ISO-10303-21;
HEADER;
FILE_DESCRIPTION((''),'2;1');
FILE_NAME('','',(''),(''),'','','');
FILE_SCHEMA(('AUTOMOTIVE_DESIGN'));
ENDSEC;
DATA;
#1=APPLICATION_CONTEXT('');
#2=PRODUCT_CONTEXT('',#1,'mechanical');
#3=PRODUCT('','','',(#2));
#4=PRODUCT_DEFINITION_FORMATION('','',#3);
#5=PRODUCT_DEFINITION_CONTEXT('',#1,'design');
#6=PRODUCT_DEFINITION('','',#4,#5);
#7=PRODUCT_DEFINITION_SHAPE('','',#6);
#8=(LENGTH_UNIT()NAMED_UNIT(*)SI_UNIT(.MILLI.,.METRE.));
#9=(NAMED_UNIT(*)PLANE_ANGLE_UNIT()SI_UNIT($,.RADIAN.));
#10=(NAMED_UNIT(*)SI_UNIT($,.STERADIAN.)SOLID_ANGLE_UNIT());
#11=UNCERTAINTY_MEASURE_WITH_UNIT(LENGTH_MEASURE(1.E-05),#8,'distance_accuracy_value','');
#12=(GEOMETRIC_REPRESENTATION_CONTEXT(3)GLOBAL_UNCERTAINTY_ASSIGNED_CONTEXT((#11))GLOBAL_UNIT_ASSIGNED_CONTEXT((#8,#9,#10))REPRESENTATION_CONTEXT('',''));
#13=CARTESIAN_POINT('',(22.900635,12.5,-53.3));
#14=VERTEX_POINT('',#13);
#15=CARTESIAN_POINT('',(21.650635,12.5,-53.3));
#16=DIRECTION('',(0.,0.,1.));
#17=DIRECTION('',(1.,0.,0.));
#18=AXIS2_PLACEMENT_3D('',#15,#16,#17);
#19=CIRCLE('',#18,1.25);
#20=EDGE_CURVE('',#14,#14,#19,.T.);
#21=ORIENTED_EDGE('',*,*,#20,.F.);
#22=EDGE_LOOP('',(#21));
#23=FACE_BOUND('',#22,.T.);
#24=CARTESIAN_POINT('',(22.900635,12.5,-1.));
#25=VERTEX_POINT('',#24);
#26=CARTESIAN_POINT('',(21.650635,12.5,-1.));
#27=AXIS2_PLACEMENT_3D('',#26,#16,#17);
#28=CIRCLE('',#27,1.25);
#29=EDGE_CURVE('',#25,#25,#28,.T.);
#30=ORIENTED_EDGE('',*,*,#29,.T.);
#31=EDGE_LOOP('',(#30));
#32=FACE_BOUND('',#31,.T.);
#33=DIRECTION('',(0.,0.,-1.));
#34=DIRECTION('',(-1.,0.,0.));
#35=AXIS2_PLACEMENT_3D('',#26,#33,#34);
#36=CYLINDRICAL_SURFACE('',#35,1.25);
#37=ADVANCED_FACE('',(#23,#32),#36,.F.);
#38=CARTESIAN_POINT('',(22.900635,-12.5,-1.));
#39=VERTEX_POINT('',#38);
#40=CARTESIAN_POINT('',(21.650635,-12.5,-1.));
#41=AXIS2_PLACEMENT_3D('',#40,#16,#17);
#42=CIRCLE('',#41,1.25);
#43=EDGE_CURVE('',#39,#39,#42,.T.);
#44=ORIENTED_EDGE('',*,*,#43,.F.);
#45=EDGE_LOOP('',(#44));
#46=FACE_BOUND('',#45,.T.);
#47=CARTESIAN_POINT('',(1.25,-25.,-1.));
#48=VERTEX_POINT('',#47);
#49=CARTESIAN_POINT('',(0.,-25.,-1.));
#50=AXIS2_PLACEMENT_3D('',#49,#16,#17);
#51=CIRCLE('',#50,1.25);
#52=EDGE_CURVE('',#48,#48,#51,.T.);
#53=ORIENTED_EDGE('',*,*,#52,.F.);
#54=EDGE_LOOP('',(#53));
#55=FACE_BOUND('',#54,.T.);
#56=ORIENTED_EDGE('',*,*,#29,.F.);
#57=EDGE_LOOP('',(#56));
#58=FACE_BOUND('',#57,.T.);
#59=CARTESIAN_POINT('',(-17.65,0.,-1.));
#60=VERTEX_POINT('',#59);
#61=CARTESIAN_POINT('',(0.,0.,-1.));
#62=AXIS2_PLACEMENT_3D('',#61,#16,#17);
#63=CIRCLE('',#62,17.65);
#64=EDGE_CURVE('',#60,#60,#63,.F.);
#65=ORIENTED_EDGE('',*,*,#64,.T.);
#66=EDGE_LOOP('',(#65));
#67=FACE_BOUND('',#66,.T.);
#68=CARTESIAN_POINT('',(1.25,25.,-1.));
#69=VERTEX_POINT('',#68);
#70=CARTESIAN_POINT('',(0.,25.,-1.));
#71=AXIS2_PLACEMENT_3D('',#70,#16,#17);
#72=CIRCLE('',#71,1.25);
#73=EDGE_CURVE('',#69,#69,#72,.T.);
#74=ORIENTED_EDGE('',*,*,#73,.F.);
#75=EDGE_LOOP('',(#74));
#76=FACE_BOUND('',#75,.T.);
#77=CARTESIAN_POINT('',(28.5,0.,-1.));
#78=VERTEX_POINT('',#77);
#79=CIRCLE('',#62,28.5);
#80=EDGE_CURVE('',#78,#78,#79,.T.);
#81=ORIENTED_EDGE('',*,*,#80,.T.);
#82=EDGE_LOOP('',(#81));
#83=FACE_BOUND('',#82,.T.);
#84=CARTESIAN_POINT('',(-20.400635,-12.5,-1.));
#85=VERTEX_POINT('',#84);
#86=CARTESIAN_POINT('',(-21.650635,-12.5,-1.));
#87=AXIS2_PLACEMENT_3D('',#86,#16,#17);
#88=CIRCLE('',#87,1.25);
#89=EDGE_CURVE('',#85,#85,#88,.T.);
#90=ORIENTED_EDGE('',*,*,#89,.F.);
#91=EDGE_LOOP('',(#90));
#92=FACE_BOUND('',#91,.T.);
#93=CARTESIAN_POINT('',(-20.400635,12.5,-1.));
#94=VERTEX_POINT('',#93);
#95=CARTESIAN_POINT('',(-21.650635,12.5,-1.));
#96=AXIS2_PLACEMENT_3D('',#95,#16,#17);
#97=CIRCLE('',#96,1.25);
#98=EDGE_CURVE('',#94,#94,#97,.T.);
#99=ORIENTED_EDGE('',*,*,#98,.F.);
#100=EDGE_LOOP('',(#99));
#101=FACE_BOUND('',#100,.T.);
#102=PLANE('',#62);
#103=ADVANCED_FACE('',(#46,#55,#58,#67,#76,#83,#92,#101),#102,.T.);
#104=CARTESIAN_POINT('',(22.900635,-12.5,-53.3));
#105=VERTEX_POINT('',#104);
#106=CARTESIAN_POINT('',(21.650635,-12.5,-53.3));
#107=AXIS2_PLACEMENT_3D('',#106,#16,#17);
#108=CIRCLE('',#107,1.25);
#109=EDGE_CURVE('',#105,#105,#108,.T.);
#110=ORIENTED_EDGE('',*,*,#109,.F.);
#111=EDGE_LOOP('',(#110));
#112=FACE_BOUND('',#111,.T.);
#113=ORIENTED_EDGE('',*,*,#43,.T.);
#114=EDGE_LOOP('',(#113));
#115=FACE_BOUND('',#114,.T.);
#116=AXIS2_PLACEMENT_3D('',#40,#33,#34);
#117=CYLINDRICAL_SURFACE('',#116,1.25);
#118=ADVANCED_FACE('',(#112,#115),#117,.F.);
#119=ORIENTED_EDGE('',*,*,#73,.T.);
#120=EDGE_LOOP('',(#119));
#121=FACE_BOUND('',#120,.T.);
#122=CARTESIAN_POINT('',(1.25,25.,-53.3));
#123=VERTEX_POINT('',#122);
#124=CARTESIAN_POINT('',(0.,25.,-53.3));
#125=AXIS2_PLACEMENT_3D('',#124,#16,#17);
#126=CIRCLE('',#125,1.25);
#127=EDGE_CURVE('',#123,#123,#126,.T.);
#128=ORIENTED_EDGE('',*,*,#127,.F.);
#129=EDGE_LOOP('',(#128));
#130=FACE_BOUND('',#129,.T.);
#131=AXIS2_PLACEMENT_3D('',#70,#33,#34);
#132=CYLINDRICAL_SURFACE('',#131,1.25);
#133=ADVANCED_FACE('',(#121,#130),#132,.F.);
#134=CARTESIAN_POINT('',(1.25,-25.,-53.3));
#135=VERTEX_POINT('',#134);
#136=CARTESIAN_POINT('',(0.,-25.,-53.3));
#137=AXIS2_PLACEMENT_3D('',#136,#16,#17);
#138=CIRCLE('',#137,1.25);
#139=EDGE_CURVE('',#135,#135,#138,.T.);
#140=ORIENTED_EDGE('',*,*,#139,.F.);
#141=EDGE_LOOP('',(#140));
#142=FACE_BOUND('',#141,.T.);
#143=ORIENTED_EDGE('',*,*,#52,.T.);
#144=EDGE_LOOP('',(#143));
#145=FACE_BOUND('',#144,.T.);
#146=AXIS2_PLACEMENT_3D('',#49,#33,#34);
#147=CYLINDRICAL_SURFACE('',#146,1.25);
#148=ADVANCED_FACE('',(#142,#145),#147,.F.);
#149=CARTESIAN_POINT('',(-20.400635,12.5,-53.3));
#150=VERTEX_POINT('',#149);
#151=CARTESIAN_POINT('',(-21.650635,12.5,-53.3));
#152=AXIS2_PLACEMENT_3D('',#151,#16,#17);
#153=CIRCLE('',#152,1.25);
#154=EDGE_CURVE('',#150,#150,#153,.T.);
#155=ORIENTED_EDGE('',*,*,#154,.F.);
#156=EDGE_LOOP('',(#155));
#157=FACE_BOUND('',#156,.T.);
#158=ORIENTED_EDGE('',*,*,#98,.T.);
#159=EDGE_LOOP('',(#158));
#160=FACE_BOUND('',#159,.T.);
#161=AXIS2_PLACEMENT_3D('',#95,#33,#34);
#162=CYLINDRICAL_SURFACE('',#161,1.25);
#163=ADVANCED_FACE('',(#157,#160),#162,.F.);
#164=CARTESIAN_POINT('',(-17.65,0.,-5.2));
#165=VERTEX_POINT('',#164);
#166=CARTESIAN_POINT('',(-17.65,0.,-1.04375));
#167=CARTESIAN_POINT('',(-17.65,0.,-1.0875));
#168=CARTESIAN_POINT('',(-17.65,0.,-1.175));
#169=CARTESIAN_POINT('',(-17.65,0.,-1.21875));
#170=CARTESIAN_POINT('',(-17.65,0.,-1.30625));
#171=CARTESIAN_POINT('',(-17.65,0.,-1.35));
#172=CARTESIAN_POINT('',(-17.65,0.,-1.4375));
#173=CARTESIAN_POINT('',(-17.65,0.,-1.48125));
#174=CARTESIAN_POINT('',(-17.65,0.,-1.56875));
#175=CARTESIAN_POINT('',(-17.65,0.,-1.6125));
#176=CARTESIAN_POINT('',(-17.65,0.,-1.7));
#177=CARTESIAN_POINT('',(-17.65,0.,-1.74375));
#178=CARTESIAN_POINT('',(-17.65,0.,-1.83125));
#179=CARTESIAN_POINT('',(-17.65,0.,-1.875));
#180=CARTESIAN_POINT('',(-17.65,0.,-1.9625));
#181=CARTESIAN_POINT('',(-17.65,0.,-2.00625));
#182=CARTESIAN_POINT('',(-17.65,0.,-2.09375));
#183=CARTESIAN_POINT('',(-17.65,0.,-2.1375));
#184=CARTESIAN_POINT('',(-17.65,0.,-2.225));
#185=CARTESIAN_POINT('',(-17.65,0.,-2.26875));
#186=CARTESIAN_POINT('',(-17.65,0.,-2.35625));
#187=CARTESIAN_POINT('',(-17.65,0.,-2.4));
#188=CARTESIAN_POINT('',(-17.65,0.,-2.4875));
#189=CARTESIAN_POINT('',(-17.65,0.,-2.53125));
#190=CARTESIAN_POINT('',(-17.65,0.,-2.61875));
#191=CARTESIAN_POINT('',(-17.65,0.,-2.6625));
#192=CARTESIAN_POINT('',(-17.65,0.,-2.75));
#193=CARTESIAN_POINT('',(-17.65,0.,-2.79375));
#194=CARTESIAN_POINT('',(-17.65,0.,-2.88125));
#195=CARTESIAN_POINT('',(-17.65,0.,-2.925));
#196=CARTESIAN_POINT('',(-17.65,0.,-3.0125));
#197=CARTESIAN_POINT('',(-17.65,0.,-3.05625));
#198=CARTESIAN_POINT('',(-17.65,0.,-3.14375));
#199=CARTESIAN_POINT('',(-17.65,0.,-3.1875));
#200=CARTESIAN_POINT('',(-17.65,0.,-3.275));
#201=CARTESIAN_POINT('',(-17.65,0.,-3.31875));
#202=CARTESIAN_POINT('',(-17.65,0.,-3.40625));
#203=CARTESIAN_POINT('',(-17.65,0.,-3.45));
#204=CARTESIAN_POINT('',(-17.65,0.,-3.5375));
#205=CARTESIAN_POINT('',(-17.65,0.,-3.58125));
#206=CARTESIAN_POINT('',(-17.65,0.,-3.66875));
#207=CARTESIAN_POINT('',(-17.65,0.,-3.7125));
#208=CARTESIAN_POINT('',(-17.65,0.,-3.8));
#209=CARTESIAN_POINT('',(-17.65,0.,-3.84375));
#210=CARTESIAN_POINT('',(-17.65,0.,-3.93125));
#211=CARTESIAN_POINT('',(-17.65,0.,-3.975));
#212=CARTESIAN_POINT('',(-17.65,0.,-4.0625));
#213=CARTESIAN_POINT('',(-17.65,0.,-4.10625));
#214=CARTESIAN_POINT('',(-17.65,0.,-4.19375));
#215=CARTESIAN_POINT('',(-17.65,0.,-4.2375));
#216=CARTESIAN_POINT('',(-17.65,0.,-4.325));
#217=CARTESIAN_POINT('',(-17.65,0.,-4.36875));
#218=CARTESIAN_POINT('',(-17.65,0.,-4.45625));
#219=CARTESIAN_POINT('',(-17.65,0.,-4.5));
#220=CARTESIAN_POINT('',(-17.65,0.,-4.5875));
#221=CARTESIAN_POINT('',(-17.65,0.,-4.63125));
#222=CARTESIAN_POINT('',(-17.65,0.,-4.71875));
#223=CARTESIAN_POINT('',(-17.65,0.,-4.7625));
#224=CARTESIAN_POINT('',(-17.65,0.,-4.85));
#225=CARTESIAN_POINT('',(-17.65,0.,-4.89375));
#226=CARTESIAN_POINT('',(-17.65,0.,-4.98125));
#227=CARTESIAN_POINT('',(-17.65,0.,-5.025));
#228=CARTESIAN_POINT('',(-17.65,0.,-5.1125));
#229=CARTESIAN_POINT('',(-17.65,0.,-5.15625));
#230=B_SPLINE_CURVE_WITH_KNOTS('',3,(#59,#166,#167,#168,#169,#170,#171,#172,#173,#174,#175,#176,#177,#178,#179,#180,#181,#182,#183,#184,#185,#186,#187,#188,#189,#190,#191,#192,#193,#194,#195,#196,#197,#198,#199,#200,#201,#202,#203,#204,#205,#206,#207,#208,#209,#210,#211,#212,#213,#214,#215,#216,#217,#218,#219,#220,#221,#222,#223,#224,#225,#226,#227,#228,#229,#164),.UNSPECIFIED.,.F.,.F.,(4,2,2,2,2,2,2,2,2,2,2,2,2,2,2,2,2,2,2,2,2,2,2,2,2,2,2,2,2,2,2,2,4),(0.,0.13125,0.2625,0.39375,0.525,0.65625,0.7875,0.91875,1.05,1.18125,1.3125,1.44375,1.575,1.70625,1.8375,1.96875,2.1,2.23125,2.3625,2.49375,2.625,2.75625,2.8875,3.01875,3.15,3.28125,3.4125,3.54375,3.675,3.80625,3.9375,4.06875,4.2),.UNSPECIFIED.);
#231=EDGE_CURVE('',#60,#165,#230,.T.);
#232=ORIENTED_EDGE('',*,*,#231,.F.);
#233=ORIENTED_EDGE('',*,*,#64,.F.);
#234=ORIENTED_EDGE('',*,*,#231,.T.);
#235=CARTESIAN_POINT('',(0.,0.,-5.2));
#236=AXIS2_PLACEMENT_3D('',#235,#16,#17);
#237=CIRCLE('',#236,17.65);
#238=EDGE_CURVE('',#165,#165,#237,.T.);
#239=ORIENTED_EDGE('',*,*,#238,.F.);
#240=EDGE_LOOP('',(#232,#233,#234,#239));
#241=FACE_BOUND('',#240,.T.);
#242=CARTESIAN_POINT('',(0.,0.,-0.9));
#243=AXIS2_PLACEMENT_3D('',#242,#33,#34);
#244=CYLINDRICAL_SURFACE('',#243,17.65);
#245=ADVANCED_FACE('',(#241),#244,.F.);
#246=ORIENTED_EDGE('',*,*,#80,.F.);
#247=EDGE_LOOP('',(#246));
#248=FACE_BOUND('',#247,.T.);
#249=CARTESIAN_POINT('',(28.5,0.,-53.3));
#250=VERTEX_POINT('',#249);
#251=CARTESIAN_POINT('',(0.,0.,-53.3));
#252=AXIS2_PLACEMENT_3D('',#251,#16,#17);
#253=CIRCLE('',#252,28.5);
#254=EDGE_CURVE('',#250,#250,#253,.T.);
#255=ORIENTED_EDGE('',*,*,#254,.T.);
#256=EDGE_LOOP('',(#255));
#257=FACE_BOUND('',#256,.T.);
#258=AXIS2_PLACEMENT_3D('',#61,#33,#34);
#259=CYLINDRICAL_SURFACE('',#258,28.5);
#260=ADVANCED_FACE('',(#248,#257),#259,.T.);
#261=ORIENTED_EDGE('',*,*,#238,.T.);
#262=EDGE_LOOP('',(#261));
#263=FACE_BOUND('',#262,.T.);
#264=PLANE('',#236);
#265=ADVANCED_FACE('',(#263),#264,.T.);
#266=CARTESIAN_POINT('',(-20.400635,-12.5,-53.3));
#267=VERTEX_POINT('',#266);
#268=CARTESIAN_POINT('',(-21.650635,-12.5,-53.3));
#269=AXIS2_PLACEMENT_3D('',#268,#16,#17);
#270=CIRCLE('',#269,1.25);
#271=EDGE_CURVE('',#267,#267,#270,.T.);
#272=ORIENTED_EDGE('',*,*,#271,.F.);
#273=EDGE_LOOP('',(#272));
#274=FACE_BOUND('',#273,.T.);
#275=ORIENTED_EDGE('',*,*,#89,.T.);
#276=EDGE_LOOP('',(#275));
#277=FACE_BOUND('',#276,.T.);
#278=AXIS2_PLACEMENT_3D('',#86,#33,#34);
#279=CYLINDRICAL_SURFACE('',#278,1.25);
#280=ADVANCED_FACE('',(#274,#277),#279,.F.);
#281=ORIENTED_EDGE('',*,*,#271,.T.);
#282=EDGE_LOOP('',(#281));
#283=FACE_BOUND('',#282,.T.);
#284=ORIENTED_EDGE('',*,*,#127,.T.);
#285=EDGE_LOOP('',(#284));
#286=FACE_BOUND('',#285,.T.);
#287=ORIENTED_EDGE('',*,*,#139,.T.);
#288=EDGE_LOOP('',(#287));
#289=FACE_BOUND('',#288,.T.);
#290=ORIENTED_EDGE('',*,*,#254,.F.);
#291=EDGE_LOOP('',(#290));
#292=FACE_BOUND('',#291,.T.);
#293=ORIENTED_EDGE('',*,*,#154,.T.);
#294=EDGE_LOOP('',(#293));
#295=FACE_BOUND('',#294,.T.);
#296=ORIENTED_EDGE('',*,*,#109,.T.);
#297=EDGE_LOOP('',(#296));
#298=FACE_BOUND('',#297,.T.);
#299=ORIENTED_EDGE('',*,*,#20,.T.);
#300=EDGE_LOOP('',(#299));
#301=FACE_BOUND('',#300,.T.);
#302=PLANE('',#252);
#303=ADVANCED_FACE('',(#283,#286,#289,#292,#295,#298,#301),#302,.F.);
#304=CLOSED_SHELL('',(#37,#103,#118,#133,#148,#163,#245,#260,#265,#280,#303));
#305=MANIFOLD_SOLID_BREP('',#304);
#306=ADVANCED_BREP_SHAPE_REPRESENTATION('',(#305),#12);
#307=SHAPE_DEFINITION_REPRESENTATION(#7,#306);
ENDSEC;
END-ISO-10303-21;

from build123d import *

# Parameters (mm, degrees)
STATOR_ENVELOPE_START     = -53.3
PROFILE_1_R               = 28.5
PROFILE_1_R_2             = 1.25
STATOR_ENVELOPE_DEPTH     = 52.3
ROTOR_REVIEW_RECESS_START = -5.2
PROFILE_2_R               = 17.65
ROTOR_REVIEW_RECESS_DEPTH = 4.3


with BuildPart() as part:
    # Profile_1 → Stator_envelope (new body)
    with BuildSketch(Plane.XY.offset(STATOR_ENVELOPE_START)):
        Circle(PROFILE_1_R)
        with Locations((21.650635095, 12.5)):
            Circle(PROFILE_1_R_2, mode=Mode.SUBTRACT)
        with Locations((0, 25)):
            Circle(PROFILE_1_R_2, mode=Mode.SUBTRACT)
        with Locations((-21.650635095, 12.5)):
            Circle(PROFILE_1_R_2, mode=Mode.SUBTRACT)
        with Locations((-21.650635095, -12.5)):
            Circle(PROFILE_1_R_2, mode=Mode.SUBTRACT)
        with Locations((0, -25)):
            Circle(PROFILE_1_R_2, mode=Mode.SUBTRACT)
        with Locations((21.650635095, -12.5)):
            Circle(PROFILE_1_R_2, mode=Mode.SUBTRACT)
    extrude(amount=STATOR_ENVELOPE_DEPTH)

    # Profile_2 → Rotor_review_recess (cut)
    with BuildSketch(Plane.XY.offset(ROTOR_REVIEW_RECESS_START)):
        with Locations(Location((0, 0, 0), (0, 0, 180))):
            Circle(PROFILE_2_R)
    extrude(amount=ROTOR_REVIEW_RECESS_DEPTH, mode=Mode.SUBTRACT)


solid = part.part
